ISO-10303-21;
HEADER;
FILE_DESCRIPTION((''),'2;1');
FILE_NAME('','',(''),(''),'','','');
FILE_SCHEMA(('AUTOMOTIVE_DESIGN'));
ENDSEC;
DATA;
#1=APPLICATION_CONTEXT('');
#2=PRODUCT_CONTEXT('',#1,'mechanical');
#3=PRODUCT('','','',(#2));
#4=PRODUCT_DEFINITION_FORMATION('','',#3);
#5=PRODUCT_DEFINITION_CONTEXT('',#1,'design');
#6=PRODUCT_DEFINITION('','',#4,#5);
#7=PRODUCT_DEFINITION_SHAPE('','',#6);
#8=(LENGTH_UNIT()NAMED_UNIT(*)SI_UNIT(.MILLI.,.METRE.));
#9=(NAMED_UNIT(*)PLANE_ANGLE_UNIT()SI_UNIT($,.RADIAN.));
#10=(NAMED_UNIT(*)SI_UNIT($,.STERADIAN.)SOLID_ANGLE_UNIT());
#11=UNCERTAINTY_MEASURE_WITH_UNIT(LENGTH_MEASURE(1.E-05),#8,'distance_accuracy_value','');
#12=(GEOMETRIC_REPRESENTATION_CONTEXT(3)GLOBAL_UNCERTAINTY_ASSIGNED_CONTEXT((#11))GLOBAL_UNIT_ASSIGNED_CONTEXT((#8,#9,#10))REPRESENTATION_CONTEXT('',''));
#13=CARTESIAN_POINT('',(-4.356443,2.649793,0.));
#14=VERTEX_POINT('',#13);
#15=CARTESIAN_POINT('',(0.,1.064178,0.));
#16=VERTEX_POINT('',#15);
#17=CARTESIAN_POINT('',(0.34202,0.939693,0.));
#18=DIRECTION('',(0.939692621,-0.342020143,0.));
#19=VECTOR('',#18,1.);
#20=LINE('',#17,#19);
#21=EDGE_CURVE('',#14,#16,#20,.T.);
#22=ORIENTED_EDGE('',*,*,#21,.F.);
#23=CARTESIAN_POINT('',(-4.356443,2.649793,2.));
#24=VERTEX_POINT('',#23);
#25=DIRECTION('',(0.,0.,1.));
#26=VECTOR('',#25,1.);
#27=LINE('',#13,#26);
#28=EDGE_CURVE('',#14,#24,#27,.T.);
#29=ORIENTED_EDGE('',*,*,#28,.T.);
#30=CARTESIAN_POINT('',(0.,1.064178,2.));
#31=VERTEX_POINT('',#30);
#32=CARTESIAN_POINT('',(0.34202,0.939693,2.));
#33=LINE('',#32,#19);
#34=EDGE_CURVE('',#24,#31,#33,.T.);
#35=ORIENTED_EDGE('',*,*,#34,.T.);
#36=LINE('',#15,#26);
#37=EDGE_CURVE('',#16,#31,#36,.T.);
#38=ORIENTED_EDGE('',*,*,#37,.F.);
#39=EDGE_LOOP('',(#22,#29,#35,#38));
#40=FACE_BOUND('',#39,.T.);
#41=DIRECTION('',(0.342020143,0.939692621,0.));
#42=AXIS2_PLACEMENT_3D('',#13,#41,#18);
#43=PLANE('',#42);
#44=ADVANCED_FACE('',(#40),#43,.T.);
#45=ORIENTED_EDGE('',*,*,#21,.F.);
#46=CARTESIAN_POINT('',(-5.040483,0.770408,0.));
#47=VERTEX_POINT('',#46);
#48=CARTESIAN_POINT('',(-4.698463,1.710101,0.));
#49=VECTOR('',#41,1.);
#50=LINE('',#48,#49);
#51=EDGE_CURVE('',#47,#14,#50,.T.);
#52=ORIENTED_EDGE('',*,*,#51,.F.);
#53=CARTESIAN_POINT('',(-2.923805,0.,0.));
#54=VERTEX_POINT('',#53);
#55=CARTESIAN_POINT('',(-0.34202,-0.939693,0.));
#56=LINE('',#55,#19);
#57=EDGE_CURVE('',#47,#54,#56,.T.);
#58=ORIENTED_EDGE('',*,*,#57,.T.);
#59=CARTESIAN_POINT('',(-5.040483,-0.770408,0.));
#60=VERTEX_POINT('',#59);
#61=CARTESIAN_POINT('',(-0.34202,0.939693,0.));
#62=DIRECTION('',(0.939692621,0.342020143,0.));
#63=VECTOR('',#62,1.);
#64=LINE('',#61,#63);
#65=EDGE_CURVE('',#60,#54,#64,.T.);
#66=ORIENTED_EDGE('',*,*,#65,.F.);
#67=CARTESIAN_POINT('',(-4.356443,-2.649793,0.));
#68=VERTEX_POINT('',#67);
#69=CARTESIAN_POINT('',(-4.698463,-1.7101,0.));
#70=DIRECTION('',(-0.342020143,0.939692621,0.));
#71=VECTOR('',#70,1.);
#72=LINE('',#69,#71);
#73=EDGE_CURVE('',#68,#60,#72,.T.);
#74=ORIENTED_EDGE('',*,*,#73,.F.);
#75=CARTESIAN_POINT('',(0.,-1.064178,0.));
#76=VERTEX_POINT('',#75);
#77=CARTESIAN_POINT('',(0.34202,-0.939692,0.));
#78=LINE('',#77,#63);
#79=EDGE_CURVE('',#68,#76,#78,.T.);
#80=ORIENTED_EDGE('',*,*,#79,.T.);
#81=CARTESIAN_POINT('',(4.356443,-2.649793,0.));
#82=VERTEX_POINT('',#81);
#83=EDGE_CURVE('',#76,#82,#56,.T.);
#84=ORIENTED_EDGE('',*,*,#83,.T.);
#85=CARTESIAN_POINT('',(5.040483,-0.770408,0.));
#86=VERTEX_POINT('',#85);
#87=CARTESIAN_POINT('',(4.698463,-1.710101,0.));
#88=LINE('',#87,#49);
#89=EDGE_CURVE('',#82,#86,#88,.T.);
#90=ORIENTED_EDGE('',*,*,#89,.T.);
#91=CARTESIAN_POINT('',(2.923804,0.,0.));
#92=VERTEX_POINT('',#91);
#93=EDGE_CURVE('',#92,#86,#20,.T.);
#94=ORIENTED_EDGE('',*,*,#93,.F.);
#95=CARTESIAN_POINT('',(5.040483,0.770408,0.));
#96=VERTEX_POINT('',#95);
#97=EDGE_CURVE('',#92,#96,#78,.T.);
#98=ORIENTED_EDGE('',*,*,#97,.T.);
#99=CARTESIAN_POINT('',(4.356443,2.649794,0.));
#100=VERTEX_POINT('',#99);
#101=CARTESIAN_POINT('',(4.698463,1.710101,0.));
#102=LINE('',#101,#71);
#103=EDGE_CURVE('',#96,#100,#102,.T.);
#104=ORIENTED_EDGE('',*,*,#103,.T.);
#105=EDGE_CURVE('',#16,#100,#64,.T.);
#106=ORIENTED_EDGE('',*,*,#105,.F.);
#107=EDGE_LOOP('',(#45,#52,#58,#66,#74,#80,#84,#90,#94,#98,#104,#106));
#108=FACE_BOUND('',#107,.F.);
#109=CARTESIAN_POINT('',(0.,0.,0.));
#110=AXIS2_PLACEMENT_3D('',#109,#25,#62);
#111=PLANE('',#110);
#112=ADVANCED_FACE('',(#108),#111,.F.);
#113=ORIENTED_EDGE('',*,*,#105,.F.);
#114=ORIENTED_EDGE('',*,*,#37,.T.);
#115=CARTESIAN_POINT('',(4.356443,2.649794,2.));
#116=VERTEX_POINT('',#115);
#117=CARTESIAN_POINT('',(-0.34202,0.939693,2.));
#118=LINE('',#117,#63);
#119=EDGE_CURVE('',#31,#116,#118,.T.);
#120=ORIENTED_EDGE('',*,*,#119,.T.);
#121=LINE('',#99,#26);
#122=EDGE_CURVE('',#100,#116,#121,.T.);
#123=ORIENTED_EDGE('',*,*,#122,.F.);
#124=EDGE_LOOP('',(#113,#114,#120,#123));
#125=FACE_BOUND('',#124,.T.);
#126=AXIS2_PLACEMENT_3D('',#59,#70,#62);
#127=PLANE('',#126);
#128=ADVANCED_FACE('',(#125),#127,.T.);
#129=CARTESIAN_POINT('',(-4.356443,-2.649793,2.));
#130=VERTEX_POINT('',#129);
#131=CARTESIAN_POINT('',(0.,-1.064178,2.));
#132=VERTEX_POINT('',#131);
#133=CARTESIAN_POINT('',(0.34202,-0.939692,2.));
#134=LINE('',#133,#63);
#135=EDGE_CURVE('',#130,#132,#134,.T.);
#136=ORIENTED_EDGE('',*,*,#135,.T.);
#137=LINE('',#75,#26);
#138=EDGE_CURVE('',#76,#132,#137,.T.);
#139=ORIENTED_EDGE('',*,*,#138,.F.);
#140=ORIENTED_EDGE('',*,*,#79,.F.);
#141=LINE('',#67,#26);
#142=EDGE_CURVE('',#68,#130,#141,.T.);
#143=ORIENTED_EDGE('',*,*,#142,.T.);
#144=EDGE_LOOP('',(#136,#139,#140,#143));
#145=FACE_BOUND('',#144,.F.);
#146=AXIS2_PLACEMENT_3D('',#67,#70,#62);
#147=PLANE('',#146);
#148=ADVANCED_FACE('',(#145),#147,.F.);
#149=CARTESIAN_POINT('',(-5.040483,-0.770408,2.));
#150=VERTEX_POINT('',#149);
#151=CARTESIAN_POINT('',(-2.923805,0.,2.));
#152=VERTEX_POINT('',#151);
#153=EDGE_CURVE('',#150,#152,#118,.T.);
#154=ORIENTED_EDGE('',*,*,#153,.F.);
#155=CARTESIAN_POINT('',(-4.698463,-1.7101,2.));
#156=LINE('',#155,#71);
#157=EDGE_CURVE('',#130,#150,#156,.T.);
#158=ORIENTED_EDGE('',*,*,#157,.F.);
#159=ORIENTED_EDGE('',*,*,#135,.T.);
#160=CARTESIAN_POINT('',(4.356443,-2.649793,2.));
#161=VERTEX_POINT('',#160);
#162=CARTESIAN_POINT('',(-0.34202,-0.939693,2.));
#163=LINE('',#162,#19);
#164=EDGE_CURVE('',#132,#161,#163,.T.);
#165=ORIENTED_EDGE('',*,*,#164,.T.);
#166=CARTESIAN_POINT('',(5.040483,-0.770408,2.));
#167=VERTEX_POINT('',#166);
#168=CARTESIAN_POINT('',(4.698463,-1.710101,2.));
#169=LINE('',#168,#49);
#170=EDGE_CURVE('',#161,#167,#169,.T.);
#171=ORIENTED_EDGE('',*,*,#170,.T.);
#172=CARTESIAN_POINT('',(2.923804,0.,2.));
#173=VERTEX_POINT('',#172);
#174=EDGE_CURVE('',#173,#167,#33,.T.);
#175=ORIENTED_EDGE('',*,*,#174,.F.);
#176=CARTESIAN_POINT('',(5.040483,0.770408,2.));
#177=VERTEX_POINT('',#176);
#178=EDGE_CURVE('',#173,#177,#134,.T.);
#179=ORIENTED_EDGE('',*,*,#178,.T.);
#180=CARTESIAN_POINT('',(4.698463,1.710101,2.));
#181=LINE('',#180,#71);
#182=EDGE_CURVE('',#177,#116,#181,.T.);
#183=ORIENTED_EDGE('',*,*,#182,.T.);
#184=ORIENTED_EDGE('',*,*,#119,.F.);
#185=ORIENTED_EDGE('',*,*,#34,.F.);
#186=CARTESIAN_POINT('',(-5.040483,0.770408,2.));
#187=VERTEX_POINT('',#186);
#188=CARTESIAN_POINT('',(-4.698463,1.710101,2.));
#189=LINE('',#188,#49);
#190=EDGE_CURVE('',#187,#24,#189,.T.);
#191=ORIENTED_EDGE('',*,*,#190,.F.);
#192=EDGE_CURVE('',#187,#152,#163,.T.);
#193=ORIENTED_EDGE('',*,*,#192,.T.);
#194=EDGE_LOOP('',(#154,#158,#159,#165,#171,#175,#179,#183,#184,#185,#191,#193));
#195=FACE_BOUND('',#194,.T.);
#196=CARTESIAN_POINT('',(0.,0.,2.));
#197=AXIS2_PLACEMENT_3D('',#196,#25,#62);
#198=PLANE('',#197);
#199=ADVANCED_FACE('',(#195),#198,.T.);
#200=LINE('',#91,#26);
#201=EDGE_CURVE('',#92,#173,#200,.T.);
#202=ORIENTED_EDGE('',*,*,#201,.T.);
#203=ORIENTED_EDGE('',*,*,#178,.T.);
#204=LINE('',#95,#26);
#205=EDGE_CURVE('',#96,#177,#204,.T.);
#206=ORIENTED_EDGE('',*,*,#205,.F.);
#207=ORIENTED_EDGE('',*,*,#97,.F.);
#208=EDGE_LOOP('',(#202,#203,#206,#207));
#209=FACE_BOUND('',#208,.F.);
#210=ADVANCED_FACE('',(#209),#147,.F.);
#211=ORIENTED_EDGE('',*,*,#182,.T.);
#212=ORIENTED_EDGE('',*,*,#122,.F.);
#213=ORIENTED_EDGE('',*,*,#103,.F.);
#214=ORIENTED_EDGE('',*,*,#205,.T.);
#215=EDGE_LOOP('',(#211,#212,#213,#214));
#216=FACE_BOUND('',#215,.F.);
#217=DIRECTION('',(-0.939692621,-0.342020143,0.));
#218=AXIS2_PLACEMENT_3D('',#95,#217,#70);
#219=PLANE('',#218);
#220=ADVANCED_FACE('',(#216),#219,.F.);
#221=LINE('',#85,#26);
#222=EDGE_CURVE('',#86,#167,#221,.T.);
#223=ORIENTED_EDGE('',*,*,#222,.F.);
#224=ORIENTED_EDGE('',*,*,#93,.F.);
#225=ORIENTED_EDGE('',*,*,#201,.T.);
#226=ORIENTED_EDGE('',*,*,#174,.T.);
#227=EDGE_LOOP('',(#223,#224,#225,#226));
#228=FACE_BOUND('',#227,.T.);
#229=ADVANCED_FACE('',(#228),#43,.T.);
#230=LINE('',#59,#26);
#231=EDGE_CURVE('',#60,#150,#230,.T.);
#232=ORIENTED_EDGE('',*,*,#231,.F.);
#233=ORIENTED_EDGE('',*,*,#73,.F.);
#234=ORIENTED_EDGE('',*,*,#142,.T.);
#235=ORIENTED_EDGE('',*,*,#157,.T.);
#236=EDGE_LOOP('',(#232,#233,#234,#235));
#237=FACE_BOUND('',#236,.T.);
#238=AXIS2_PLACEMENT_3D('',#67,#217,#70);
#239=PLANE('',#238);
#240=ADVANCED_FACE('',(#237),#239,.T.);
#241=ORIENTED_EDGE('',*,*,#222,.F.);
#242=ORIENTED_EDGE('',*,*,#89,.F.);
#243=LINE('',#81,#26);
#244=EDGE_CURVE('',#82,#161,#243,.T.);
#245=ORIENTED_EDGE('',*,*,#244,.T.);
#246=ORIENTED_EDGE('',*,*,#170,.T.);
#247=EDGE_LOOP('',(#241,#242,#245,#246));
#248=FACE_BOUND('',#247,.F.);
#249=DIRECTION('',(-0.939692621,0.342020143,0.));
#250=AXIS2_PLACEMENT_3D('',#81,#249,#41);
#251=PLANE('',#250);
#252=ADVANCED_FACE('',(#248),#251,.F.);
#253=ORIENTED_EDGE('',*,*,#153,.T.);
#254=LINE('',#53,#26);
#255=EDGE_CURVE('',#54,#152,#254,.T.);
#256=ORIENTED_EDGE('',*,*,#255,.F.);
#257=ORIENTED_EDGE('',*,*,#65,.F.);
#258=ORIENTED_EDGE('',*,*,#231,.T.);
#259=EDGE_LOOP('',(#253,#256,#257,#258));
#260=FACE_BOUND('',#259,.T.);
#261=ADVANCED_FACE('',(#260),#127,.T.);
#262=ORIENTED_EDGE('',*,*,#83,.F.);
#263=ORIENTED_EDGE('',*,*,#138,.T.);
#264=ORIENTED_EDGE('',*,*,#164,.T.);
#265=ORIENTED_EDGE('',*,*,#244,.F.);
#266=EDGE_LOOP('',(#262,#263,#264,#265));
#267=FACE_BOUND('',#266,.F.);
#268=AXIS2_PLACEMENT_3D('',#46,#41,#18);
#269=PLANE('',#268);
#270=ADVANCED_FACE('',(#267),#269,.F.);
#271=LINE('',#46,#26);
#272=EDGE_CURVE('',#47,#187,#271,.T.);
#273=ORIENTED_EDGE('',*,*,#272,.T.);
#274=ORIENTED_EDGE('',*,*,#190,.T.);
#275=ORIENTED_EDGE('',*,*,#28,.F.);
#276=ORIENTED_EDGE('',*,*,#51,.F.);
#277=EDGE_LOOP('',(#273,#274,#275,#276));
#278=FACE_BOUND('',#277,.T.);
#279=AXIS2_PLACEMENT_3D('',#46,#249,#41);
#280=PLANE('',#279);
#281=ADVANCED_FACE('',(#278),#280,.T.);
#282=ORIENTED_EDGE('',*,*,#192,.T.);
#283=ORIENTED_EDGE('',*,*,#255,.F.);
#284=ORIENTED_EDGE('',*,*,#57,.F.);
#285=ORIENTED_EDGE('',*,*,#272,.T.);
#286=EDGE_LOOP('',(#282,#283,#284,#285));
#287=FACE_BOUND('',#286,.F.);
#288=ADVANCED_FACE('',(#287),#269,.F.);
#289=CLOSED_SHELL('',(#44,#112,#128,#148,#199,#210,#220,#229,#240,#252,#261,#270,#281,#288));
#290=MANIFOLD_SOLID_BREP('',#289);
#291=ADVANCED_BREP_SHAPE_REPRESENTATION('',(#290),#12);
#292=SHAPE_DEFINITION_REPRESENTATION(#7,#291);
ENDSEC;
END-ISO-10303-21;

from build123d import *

# Parameters (mm, degrees)
BOX001_W               = 10
BOX001_H               = 2
BOX001_DEPTH           = 2
BOX001_PLACEMENT_ANGLE = 20
BOX_W                  = 10
BOX_H                  = 2
BOX_DEPTH              = 2
BOX_PLACEMENT_ANGLE    = 340


with BuildPart() as cubo001:
    # Box001 → Box001 (new body)
    with BuildSketch(Plane.XY):
        with Locations((5, 1)):
            Rectangle(BOX001_W, BOX001_H)
    extrude(amount=BOX001_DEPTH)


with BuildPart() as cubo001_1:
    # Box001 placement: moved
    add(cubo001.part.moved(Location((-4.356443, -2.649793, 0))).rotate(Axis((-4.356443, -2.649793, 0), (0, 0, 1)), BOX001_PLACEMENT_ANGLE))


with BuildPart() as fusion:
    # Box → Box (new body)
    with BuildSketch(Plane.XY):
        with Locations((5, 1)):
            Rectangle(BOX_W, BOX_H)
    extrude(amount=BOX_DEPTH)


with BuildPart() as fusion_1:
    # Box placement: moved
    add(fusion.part.moved(Location((-5.040483, 0.770408, 0))).rotate(Axis((-5.040483, 0.770408, 0), (0, 0, 1)), BOX_PLACEMENT_ANGLE))

    # Fusion: union Cubo001
    add(cubo001_1.part)


solid = fusion_1.part
